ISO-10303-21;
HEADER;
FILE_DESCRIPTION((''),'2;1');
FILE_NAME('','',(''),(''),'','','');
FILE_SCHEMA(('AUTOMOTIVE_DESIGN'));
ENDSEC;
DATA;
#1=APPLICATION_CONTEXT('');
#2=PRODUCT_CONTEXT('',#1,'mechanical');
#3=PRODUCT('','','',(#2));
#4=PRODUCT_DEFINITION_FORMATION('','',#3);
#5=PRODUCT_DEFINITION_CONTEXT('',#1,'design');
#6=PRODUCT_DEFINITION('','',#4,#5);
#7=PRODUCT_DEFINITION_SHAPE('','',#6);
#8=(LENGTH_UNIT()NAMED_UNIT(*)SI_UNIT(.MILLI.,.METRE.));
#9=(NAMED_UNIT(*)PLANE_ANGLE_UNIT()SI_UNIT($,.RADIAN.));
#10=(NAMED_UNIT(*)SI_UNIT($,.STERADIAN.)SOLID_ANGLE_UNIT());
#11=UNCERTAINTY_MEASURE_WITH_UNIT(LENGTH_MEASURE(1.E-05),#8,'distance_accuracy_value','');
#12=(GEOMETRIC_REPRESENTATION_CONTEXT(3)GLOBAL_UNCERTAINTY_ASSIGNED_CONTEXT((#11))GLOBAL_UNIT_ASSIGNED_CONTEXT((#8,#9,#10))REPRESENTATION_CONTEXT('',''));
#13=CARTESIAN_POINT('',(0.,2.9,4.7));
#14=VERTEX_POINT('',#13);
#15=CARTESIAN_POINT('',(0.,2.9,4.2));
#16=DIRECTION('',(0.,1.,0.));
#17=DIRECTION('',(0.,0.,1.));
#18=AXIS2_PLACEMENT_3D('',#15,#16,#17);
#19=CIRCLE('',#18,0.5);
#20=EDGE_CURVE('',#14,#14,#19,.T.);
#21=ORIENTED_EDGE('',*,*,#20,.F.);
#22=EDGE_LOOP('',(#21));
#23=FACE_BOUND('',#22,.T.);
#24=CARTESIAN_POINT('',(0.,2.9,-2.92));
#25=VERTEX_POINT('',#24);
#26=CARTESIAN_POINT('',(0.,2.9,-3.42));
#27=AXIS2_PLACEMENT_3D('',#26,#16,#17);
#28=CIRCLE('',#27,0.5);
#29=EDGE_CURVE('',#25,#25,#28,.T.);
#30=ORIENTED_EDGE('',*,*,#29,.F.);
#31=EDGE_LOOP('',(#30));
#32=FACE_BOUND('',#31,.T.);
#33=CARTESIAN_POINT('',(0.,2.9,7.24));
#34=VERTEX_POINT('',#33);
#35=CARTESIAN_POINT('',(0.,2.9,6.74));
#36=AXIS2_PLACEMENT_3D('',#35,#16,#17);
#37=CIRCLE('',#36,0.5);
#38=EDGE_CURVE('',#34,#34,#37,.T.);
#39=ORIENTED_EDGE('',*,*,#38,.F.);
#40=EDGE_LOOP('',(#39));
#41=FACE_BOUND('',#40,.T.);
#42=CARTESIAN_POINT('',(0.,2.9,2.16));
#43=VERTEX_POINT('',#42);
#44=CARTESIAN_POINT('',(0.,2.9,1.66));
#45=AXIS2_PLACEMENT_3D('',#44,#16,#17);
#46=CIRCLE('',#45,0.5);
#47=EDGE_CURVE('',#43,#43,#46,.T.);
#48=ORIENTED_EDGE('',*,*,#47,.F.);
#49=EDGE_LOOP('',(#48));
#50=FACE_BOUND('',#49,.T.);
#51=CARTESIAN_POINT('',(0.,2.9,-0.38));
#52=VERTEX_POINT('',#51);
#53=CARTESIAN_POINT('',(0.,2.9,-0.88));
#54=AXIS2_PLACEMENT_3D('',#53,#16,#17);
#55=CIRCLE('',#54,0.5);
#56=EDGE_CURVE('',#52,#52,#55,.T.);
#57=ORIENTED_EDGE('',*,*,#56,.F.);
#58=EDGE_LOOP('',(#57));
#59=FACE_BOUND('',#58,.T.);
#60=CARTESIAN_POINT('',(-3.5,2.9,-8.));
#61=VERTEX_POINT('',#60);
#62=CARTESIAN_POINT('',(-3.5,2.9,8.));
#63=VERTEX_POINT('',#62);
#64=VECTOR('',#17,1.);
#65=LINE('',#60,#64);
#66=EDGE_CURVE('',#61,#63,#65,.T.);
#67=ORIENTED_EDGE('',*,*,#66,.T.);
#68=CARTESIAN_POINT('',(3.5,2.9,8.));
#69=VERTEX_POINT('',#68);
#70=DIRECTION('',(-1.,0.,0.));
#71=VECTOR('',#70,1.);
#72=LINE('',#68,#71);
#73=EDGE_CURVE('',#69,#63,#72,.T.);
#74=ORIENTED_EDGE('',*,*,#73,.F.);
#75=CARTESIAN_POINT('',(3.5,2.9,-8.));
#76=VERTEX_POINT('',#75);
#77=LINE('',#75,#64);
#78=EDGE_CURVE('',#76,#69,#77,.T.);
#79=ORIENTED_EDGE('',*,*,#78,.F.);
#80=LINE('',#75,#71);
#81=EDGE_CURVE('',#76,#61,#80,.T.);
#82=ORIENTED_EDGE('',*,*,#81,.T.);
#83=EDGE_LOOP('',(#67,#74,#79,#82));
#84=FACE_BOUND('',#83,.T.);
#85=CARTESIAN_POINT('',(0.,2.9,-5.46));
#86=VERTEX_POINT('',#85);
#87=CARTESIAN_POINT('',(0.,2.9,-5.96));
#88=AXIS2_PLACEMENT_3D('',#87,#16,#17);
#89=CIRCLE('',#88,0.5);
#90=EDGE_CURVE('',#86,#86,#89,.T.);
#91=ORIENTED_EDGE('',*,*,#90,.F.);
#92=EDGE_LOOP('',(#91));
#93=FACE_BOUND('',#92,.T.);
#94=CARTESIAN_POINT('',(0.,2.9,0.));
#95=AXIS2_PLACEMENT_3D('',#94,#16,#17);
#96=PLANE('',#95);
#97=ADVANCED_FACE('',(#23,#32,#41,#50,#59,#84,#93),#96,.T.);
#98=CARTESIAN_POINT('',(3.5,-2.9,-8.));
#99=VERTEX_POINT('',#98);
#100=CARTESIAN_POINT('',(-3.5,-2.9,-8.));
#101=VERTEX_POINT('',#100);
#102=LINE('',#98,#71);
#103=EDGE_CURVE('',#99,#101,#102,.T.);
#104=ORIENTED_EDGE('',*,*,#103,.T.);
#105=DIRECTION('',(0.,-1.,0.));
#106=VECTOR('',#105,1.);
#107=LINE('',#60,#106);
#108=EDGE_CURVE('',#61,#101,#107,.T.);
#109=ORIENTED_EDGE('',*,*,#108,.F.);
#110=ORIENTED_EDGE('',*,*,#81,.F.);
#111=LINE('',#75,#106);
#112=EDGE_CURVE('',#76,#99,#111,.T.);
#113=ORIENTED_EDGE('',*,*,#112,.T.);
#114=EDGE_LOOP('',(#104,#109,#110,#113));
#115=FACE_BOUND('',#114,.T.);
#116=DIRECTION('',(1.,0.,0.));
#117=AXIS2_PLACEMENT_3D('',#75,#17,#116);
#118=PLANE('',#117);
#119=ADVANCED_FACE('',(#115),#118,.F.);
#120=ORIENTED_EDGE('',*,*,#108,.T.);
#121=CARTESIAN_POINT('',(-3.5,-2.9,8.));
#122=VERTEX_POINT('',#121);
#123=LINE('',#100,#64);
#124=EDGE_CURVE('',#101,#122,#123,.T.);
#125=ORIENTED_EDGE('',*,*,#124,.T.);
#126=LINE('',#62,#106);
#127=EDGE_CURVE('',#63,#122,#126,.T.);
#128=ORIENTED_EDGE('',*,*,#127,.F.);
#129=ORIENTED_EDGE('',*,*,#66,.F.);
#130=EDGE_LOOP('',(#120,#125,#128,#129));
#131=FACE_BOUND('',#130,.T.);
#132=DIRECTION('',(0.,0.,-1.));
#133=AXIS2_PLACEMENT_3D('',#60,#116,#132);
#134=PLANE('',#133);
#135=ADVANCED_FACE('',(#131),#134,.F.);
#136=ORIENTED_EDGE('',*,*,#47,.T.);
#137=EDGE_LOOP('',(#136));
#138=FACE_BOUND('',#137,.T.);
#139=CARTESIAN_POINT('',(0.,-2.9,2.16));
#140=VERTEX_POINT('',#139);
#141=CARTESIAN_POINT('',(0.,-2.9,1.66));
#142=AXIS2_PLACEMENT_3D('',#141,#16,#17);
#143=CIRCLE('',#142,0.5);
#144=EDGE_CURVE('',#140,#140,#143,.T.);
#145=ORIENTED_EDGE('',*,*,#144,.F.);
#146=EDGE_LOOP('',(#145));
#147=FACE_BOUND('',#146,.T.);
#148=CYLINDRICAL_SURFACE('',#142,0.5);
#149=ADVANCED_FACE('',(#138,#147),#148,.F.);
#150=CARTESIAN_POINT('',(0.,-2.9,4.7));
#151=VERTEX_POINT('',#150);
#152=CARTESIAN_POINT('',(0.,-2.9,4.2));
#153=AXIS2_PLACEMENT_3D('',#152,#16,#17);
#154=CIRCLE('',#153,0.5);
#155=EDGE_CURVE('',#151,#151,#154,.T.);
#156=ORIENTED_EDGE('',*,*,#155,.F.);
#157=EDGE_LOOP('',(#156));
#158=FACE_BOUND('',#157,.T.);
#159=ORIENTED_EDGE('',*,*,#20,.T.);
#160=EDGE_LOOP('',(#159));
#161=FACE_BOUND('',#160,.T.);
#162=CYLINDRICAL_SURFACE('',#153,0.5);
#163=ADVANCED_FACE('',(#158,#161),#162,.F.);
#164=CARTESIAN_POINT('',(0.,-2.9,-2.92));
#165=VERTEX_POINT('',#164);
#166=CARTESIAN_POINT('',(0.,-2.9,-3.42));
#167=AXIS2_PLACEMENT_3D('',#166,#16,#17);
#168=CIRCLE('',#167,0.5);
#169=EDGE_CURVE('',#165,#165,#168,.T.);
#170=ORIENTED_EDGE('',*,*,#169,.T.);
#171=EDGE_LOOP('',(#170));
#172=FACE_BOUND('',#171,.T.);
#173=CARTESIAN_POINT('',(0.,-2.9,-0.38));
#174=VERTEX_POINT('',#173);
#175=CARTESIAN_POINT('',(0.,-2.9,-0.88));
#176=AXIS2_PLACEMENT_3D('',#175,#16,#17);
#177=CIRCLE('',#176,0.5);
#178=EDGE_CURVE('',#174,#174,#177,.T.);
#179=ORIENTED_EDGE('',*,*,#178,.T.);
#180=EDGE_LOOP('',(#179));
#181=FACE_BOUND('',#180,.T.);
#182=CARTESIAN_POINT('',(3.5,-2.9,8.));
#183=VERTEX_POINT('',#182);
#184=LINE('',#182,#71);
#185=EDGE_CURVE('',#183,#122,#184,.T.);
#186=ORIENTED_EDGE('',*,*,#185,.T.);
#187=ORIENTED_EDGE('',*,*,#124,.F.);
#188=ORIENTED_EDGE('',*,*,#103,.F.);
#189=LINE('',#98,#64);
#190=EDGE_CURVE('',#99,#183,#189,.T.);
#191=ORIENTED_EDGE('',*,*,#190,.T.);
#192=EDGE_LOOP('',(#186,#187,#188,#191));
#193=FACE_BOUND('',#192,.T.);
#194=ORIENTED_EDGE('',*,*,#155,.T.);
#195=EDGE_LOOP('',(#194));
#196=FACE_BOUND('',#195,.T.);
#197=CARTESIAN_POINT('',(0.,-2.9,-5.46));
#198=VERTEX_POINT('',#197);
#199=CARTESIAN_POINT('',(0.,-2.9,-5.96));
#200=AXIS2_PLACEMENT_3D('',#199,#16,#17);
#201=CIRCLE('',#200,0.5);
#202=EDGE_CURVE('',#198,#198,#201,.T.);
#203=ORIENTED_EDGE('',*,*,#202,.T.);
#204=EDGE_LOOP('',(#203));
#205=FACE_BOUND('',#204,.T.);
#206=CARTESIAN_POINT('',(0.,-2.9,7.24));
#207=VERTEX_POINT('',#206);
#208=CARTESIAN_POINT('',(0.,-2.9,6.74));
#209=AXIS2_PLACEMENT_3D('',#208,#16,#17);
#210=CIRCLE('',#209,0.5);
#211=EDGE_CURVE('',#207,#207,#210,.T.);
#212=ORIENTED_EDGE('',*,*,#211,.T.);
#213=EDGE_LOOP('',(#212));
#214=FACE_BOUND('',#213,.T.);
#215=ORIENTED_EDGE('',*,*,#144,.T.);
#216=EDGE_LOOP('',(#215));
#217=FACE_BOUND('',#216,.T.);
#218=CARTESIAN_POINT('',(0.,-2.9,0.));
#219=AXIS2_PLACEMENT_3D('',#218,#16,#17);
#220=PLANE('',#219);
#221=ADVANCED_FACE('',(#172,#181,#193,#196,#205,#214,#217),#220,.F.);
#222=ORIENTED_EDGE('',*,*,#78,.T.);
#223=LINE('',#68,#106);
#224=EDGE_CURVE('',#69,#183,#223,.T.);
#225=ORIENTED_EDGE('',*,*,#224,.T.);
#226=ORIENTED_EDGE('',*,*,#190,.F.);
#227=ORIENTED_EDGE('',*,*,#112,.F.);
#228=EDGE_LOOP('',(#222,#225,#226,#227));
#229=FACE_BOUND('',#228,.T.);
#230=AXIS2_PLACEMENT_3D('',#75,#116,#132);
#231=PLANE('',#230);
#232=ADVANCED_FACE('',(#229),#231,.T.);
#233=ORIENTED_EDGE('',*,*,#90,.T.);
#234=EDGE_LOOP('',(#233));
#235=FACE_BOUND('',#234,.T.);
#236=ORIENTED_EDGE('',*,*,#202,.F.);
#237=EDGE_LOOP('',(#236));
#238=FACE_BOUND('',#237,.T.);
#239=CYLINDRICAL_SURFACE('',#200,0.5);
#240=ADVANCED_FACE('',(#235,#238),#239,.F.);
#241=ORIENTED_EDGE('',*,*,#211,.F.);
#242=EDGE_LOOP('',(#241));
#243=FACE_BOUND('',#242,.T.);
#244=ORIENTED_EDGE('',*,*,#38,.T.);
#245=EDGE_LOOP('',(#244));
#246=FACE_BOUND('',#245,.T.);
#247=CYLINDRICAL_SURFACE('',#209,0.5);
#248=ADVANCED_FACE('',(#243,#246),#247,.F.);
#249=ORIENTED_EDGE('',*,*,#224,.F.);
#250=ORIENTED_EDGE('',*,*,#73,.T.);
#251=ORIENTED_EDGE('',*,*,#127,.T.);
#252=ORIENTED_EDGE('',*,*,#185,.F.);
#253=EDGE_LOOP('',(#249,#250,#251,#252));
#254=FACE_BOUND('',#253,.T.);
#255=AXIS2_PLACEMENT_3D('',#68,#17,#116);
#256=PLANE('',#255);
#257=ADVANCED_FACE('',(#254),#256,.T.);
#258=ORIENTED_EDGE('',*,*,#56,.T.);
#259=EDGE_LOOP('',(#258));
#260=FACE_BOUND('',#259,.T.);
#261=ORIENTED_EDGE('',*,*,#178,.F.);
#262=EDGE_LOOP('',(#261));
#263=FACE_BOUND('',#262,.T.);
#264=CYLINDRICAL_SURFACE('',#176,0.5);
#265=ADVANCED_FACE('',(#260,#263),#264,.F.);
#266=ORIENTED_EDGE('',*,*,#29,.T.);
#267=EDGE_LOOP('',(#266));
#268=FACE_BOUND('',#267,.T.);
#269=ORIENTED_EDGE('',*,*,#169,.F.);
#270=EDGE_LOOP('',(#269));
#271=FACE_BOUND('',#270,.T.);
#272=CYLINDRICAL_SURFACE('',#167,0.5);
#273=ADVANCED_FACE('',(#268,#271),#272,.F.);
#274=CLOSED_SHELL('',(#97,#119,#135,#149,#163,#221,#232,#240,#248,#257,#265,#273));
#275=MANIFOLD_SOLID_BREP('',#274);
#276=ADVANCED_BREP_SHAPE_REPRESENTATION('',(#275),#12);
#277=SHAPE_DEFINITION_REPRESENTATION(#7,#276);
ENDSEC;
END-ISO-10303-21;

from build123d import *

# Parameters (mm, degrees)
SKETCH1_W           = 7
SKETCH1_H           = 16
BOSS_EXTRUDE1_DEPTH = 2.9
SKETCH2_R           = 0.5
CUT_EXTRUDE1_DEPTH  = 6.8
LPATTERN1_COUNT     = 12
LPATTERN1_PITCH     = 2.54


with BuildPart() as part:
    # Sketch1 → Boss-Extrude1 (new body, symmetric)
    with BuildSketch(Plane(origin=(0, 0, 0), x_dir=(1, 0, 0), z_dir=(0, 1, 0))):
        Rectangle(SKETCH1_W, SKETCH1_H)
    extrude(amount=BOSS_EXTRUDE1_DEPTH, both=True)

    # Sketch2 → Cut-Extrude1 (cut, through all)
    with BuildSketch(Plane(origin=(0, 2.9, 0), x_dir=(1, 0, 0), z_dir=(0, 1, 0))):
        with Locations((0, 5.96)):
            Circle(SKETCH2_R)
    cut_extrude1 = extrude(amount=-CUT_EXTRUDE1_DEPTH, mode=Mode.SUBTRACT)

    # LPattern1: Cut-Extrude1 ×12
    with Locations(*[(0, 0, i * LPATTERN1_PITCH) for i in range(1, LPATTERN1_COUNT)]):
        add(cut_extrude1, mode=Mode.SUBTRACT)


solid = part.part
